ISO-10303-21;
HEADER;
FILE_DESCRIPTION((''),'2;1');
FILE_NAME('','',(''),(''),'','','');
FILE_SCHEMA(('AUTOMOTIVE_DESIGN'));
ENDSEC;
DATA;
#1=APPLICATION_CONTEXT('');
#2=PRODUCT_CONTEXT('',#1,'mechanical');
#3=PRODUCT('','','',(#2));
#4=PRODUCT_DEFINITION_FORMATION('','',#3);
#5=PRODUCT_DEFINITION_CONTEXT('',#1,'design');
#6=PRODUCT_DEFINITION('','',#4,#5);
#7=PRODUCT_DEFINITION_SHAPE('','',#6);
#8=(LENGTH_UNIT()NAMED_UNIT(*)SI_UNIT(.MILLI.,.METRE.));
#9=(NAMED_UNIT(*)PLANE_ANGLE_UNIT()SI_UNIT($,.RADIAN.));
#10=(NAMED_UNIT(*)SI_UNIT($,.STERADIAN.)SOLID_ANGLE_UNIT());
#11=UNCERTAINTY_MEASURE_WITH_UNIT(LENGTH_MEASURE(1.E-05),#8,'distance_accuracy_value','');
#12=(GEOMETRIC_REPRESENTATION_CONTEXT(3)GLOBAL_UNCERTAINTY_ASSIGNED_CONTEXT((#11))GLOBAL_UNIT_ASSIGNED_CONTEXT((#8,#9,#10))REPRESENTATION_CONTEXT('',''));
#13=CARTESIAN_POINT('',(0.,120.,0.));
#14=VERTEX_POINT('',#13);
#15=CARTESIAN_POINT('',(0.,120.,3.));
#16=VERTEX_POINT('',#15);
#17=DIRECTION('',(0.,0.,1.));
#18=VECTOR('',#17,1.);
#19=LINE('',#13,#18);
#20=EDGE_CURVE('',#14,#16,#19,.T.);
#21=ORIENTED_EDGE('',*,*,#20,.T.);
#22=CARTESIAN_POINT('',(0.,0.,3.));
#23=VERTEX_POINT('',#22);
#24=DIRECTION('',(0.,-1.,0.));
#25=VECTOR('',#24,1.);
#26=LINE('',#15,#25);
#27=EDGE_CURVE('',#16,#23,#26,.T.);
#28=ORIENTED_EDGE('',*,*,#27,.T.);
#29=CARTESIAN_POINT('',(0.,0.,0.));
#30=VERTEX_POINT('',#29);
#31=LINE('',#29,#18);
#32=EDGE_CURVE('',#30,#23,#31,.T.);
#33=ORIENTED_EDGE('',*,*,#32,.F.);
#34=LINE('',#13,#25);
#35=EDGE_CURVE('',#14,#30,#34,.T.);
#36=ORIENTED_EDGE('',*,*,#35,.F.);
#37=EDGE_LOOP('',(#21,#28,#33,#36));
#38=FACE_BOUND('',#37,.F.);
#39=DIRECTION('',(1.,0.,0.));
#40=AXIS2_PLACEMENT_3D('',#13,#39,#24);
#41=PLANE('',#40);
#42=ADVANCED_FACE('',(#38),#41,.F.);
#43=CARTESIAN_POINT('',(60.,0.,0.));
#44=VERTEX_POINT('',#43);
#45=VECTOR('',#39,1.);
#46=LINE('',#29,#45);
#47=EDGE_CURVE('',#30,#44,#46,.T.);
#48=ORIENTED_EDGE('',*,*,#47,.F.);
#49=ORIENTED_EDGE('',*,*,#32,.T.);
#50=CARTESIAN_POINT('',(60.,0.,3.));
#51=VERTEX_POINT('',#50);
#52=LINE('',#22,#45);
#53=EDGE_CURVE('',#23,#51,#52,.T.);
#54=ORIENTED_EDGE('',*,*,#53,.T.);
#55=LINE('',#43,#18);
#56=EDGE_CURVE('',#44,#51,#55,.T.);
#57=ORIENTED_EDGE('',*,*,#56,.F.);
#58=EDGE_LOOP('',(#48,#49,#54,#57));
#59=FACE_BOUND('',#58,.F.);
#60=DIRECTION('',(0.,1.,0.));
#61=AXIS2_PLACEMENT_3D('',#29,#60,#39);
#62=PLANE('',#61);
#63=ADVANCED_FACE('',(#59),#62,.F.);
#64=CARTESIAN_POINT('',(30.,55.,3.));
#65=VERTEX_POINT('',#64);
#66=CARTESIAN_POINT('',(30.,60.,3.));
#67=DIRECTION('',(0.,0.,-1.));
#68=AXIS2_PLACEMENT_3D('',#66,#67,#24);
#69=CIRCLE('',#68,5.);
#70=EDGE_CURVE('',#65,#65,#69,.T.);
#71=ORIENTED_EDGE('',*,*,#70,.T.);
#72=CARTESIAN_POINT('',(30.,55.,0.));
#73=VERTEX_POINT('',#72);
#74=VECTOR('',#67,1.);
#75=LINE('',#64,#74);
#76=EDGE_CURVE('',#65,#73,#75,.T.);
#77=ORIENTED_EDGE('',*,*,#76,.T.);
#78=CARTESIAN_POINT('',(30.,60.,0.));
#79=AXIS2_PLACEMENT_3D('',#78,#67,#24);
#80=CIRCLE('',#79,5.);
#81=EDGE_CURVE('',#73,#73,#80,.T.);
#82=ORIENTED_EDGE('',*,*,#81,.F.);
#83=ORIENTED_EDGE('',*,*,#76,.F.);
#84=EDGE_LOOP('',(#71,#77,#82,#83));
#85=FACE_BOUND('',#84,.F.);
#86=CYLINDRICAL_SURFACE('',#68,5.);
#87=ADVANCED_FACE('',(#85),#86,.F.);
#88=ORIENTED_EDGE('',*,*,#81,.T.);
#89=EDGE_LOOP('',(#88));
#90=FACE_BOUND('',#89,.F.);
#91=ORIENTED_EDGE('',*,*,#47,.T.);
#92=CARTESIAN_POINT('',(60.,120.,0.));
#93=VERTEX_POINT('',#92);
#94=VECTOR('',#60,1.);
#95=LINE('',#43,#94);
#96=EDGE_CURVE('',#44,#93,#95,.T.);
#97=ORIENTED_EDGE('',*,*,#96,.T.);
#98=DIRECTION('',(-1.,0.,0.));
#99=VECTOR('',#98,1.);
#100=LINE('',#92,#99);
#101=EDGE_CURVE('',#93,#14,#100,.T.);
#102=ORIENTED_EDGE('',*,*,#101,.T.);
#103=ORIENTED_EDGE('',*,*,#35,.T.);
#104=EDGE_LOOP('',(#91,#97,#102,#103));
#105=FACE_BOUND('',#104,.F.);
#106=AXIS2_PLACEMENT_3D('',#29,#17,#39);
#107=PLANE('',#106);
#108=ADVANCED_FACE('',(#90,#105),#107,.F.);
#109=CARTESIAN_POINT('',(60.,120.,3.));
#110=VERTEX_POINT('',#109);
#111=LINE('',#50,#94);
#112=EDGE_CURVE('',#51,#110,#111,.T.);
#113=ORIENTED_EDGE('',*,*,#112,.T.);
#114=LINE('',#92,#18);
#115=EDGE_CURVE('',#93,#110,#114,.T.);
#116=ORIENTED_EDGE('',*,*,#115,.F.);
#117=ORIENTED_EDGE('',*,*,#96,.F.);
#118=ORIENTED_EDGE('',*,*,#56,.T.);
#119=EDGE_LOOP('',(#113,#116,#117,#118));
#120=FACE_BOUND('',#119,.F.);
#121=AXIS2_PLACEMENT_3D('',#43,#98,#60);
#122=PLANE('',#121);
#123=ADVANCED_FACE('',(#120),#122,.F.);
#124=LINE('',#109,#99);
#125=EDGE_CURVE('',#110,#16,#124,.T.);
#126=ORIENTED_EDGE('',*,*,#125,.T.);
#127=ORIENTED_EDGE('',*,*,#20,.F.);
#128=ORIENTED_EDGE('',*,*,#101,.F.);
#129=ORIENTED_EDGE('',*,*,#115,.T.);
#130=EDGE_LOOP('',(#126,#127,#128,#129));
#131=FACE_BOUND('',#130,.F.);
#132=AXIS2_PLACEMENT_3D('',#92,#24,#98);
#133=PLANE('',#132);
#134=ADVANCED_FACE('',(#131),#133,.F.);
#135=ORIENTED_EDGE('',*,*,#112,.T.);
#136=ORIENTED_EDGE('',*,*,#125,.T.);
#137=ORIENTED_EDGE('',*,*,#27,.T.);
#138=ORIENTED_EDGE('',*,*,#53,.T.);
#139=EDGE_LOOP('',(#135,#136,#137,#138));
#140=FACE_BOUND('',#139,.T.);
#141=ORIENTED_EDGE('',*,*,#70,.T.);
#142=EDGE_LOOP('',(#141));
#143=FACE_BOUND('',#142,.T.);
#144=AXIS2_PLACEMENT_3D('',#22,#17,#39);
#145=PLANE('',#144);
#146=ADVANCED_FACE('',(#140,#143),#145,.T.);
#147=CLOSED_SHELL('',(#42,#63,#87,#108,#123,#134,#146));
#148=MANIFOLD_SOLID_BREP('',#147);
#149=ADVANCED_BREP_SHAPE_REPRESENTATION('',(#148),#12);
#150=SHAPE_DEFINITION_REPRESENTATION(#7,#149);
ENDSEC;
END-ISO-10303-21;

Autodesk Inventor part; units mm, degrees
ref_plane "YZ Plane" through (0, 0, 0) normal (1, 0, 0) x (0, 1, 0)
ref_plane "XZ Plane" through (0, 0, 0) normal (0, 1, 0) x (-1, 0, 0)
ref_plane "XY Plane" through (0, 0, 0) normal (0, 0, 1) x (1, 0, 0)
sketch "スケッチ1" plane through (0, 0, 0) normal (0, 0, 1) x (1, 0, 0)
  line L0 (0, 0) -> (60, 0)
  line L1 (60, 0) -> (60, 120)
  line L2 (60, 120) -> (0, 120)
  line L3 (0, 120) -> (0, 0)
  dimension "d0" = 60
  dimension "d1" = 120
extrude "押し出し1" add sketch "スケッチ1" along normal blind 3
sketch "スケッチ2" plane through (0, 0, 3) normal (0, 0, 1) x (1, 0, 0)
  line L0 (60, 0) -> (60, 120) projected
  line L1 (60, 120) -> (0, 120) projected
  line L2 (0, 120) -> (0, 0) projected
  line L3 (0, 0) -> (60, 0) projected
  line L4 (30, 120) -> (30, 0) construction
  line L5 (0, 60) -> (60, 60) construction
  point P0 (30, 60)
hole "穴1" at (30, 60, 3) direction (0, 0, -1) diameter 10 end through all
properties part number "foot"
